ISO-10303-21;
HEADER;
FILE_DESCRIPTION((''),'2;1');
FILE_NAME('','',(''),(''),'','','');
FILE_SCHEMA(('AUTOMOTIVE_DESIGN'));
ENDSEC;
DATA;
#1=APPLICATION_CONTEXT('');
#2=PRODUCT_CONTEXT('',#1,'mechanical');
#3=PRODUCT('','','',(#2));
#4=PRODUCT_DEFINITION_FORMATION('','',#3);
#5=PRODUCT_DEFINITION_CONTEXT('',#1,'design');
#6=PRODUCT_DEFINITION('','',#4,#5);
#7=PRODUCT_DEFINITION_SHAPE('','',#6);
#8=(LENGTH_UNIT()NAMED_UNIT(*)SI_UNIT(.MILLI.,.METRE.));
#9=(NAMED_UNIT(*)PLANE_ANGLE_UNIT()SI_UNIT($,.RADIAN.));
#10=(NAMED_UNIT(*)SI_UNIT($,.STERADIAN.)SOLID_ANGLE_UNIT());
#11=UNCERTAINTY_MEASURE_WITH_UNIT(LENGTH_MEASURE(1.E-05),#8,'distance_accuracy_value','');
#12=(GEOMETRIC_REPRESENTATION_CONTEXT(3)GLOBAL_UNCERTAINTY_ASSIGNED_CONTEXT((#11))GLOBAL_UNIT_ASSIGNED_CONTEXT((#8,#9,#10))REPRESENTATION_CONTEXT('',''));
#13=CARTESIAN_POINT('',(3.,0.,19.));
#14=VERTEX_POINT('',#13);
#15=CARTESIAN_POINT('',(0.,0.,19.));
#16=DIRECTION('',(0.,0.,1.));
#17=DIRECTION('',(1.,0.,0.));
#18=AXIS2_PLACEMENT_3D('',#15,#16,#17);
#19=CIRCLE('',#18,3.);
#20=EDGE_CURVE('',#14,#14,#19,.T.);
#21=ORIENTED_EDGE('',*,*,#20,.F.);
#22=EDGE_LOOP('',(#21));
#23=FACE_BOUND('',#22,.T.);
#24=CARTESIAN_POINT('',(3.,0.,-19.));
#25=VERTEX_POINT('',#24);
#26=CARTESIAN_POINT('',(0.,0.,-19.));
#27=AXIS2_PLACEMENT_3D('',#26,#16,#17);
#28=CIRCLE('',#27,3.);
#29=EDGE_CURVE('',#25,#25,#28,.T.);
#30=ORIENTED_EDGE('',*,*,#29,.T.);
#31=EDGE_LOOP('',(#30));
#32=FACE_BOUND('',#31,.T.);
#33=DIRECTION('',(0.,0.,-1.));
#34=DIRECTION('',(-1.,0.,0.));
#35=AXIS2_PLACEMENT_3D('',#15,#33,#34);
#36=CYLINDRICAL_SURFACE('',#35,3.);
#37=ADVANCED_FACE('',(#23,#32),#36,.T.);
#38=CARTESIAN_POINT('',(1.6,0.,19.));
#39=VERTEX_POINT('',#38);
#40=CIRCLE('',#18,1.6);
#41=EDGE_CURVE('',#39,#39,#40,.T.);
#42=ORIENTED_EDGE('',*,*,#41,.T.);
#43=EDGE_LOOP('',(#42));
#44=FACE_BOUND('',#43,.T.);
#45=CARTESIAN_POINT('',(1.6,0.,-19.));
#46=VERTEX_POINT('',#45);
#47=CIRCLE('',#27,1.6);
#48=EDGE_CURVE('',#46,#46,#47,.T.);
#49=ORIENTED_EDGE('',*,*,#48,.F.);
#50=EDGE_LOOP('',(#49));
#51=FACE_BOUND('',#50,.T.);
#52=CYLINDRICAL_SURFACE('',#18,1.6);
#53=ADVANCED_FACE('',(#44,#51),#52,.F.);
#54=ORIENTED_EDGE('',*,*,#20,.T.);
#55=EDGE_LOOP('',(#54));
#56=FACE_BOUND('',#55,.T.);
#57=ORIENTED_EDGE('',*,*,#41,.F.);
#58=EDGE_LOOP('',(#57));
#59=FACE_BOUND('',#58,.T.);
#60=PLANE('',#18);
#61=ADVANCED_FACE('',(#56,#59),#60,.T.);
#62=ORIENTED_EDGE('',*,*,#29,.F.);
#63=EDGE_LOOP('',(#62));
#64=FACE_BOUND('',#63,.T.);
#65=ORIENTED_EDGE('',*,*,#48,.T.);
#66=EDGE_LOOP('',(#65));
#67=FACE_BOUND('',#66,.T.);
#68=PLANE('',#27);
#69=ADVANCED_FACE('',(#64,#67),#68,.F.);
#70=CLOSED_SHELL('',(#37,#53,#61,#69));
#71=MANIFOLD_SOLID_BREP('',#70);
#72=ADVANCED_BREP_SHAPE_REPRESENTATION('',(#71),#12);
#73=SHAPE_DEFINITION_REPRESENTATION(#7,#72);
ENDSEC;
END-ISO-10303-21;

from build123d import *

# Parameters (mm, degrees)
SKETCH1_R           = 3
BOSS_EXTRUDE1_DEPTH = 19
M3_CLEARANCE_HOLE_D = 3.2


with BuildPart() as part:
    # Sketch1 → Boss-Extrude1 (new, symmetric)
    with BuildSketch(Plane.XY):
        Circle(SKETCH1_R)
    extrude(amount=BOSS_EXTRUDE1_DEPTH, both=True)

    # M3 Clearance Hole (through all)
    with Locations(Plane.XY.offset(19)):
        with Locations((0, 0)):
            Hole(M3_CLEARANCE_HOLE_D / 2)


solid = part.part
